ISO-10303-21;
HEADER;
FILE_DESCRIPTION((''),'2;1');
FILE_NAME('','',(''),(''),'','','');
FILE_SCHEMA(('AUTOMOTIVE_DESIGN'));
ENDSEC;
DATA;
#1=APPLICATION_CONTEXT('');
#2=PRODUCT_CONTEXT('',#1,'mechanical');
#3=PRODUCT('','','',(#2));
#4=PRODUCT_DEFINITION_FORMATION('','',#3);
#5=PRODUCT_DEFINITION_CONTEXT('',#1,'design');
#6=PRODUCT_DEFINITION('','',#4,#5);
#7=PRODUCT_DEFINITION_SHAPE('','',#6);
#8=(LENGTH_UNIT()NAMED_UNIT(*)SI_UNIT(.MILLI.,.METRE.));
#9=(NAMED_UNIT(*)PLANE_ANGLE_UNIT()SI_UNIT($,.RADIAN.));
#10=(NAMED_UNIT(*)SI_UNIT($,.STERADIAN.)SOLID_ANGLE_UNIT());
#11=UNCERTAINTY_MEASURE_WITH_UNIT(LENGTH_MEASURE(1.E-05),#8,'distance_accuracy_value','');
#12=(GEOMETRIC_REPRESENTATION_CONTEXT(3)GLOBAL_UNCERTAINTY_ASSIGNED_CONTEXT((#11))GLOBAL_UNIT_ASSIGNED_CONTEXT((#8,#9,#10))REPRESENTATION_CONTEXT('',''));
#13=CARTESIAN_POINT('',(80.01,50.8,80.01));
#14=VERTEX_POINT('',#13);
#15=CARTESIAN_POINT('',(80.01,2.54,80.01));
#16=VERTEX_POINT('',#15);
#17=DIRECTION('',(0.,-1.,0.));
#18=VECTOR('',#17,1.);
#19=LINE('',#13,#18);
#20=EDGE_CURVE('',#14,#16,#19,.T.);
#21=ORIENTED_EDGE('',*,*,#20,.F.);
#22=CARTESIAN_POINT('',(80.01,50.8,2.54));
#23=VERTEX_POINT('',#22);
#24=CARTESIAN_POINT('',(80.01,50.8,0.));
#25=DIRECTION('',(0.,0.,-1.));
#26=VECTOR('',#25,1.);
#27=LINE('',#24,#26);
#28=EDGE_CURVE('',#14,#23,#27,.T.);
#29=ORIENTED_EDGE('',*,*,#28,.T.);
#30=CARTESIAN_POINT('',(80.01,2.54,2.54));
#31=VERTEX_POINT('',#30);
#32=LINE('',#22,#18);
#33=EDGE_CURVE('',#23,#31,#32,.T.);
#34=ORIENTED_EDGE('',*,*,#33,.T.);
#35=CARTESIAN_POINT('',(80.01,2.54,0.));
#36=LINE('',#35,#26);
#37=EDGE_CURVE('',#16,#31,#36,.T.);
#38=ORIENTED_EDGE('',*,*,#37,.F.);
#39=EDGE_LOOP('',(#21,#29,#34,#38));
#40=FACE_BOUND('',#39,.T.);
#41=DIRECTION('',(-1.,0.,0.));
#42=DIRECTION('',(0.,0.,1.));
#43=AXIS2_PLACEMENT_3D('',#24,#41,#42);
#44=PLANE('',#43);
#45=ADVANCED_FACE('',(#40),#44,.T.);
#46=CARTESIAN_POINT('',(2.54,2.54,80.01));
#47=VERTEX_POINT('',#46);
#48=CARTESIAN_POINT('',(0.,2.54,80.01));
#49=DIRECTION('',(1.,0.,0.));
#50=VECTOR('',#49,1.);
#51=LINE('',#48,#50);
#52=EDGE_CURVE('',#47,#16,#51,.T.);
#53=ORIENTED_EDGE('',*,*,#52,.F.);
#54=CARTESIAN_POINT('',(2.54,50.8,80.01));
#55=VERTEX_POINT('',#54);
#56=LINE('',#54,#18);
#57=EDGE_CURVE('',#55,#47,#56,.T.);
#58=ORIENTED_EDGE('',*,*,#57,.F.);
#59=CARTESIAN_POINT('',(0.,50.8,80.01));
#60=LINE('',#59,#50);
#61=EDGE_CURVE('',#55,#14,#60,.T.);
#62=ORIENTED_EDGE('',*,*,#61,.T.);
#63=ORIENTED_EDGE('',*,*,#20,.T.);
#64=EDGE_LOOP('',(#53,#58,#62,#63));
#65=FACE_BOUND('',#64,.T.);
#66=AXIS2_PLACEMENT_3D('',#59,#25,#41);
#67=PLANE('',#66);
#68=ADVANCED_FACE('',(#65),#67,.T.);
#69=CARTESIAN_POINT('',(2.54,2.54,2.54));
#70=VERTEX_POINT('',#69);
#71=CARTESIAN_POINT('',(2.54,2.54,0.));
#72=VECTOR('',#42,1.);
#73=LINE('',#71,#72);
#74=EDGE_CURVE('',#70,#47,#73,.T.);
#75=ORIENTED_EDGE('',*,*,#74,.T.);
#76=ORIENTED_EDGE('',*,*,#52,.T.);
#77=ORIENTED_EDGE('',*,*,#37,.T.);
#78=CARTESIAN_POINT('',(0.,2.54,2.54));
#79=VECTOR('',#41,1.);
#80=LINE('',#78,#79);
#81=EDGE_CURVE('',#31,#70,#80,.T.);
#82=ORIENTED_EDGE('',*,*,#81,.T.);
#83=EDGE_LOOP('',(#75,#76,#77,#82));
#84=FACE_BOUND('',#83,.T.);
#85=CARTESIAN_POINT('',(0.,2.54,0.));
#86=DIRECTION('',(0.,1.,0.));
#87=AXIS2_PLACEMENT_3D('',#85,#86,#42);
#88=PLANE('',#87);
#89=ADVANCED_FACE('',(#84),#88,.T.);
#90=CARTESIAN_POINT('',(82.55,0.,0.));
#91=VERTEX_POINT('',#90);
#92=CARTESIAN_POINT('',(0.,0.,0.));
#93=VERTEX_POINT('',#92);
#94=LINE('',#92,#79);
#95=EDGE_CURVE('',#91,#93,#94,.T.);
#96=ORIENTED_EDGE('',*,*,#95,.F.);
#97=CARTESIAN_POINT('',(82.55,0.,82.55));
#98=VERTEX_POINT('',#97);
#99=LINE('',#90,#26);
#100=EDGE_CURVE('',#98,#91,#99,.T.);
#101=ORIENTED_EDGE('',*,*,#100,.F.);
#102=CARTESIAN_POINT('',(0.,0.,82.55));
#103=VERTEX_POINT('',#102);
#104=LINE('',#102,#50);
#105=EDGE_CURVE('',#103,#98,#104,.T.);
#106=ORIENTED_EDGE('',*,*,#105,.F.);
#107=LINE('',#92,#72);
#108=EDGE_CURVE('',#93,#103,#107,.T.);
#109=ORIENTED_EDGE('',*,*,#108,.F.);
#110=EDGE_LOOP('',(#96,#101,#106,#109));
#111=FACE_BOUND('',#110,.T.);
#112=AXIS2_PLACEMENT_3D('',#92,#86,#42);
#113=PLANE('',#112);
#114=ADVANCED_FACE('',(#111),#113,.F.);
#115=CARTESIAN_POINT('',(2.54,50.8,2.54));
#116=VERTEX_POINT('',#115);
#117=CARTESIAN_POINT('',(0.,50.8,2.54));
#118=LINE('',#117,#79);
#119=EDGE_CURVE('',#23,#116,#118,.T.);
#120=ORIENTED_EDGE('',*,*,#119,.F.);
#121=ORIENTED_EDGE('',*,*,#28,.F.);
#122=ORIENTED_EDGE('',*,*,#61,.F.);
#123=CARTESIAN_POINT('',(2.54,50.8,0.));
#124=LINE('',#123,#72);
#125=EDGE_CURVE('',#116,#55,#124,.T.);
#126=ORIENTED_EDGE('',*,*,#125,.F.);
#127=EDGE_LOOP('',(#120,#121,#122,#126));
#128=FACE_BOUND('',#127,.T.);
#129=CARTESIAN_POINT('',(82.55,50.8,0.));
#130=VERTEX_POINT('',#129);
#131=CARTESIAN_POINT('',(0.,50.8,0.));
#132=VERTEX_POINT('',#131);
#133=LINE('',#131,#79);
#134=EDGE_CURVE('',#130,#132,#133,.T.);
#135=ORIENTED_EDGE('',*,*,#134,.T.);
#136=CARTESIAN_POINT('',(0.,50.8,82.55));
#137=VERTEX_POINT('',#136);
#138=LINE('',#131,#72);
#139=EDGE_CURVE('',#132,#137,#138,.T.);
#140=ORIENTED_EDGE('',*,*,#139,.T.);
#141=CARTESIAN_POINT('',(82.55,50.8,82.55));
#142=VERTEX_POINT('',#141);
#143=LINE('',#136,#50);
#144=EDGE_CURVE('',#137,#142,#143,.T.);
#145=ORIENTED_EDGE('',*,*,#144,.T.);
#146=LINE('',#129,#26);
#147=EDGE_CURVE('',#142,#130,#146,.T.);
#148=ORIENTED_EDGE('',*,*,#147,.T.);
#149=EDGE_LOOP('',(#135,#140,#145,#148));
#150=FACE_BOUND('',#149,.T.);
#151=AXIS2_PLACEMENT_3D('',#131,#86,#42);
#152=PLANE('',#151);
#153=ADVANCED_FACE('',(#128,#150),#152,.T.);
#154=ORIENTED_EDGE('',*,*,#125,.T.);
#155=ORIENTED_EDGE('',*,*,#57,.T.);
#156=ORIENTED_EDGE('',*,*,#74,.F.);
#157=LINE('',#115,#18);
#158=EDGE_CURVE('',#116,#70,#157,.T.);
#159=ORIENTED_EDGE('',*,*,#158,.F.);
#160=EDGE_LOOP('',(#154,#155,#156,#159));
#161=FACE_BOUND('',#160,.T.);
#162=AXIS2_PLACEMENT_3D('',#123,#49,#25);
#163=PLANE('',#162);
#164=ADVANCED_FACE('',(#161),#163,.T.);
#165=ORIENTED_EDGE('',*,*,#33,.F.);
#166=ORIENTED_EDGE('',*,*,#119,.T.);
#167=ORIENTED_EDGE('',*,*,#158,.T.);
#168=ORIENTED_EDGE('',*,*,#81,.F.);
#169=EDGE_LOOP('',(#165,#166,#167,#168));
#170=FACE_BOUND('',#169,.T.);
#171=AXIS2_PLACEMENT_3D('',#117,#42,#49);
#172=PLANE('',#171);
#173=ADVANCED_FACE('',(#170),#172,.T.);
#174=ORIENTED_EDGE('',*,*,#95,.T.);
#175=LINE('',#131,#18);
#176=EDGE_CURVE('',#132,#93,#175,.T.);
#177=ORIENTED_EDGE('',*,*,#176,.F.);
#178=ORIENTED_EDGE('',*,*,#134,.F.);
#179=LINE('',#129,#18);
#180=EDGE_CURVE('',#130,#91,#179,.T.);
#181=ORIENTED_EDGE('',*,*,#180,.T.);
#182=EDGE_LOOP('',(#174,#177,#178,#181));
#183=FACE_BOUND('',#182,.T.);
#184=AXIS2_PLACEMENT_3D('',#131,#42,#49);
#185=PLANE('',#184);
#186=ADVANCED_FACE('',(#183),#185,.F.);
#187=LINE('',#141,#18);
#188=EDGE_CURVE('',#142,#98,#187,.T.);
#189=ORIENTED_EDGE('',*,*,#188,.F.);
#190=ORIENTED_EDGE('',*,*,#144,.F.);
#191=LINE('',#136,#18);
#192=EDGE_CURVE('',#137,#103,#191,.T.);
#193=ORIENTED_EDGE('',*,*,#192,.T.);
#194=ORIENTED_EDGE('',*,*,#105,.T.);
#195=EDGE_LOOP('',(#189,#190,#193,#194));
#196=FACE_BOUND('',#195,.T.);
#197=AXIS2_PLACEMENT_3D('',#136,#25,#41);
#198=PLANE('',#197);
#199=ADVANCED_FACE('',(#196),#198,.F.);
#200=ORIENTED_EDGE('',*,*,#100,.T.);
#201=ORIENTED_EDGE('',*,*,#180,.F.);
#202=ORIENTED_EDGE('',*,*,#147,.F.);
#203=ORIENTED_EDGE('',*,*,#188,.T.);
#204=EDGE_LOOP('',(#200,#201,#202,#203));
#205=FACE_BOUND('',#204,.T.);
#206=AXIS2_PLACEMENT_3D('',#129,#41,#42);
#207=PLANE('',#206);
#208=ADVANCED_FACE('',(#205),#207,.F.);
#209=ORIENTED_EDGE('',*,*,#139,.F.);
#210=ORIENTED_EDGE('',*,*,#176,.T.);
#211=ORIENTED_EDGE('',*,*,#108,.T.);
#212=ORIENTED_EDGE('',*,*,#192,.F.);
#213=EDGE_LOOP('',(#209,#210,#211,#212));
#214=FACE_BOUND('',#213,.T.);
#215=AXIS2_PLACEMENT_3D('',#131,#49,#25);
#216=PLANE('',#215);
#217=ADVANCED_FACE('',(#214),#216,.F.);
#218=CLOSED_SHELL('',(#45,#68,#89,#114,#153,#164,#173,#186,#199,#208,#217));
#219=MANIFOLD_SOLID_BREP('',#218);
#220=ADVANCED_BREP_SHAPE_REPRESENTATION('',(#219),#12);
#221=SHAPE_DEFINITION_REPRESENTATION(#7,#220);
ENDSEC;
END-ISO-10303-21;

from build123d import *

# Parameters (mm, degrees)
SKETCH1_W           = 82.55
SKETCH1_H           = 82.55
BOSS_EXTRUDE1_DEPTH = 50.8
SHELL1_T            = -2.54


with BuildPart() as part:
    # Sketch1 → Boss-Extrude1 (new body)
    with BuildSketch(Plane(origin=(0, 0, 0), x_dir=(1, 0, 0), z_dir=(0, 1, 0))):
        with Locations((41.275, -41.275)):
            Rectangle(SKETCH1_W, SKETCH1_H)
    extrude(amount=BOSS_EXTRUDE1_DEPTH)

    # Shell1
    shell1_openings = [part.faces().sort_by_distance(p)[0] for p in [
        (41.275, 50.8, 41.275),
    ]]
    offset(amount=SHELL1_T, openings=shell1_openings, kind=Kind.INTERSECTION)


solid = part.part
